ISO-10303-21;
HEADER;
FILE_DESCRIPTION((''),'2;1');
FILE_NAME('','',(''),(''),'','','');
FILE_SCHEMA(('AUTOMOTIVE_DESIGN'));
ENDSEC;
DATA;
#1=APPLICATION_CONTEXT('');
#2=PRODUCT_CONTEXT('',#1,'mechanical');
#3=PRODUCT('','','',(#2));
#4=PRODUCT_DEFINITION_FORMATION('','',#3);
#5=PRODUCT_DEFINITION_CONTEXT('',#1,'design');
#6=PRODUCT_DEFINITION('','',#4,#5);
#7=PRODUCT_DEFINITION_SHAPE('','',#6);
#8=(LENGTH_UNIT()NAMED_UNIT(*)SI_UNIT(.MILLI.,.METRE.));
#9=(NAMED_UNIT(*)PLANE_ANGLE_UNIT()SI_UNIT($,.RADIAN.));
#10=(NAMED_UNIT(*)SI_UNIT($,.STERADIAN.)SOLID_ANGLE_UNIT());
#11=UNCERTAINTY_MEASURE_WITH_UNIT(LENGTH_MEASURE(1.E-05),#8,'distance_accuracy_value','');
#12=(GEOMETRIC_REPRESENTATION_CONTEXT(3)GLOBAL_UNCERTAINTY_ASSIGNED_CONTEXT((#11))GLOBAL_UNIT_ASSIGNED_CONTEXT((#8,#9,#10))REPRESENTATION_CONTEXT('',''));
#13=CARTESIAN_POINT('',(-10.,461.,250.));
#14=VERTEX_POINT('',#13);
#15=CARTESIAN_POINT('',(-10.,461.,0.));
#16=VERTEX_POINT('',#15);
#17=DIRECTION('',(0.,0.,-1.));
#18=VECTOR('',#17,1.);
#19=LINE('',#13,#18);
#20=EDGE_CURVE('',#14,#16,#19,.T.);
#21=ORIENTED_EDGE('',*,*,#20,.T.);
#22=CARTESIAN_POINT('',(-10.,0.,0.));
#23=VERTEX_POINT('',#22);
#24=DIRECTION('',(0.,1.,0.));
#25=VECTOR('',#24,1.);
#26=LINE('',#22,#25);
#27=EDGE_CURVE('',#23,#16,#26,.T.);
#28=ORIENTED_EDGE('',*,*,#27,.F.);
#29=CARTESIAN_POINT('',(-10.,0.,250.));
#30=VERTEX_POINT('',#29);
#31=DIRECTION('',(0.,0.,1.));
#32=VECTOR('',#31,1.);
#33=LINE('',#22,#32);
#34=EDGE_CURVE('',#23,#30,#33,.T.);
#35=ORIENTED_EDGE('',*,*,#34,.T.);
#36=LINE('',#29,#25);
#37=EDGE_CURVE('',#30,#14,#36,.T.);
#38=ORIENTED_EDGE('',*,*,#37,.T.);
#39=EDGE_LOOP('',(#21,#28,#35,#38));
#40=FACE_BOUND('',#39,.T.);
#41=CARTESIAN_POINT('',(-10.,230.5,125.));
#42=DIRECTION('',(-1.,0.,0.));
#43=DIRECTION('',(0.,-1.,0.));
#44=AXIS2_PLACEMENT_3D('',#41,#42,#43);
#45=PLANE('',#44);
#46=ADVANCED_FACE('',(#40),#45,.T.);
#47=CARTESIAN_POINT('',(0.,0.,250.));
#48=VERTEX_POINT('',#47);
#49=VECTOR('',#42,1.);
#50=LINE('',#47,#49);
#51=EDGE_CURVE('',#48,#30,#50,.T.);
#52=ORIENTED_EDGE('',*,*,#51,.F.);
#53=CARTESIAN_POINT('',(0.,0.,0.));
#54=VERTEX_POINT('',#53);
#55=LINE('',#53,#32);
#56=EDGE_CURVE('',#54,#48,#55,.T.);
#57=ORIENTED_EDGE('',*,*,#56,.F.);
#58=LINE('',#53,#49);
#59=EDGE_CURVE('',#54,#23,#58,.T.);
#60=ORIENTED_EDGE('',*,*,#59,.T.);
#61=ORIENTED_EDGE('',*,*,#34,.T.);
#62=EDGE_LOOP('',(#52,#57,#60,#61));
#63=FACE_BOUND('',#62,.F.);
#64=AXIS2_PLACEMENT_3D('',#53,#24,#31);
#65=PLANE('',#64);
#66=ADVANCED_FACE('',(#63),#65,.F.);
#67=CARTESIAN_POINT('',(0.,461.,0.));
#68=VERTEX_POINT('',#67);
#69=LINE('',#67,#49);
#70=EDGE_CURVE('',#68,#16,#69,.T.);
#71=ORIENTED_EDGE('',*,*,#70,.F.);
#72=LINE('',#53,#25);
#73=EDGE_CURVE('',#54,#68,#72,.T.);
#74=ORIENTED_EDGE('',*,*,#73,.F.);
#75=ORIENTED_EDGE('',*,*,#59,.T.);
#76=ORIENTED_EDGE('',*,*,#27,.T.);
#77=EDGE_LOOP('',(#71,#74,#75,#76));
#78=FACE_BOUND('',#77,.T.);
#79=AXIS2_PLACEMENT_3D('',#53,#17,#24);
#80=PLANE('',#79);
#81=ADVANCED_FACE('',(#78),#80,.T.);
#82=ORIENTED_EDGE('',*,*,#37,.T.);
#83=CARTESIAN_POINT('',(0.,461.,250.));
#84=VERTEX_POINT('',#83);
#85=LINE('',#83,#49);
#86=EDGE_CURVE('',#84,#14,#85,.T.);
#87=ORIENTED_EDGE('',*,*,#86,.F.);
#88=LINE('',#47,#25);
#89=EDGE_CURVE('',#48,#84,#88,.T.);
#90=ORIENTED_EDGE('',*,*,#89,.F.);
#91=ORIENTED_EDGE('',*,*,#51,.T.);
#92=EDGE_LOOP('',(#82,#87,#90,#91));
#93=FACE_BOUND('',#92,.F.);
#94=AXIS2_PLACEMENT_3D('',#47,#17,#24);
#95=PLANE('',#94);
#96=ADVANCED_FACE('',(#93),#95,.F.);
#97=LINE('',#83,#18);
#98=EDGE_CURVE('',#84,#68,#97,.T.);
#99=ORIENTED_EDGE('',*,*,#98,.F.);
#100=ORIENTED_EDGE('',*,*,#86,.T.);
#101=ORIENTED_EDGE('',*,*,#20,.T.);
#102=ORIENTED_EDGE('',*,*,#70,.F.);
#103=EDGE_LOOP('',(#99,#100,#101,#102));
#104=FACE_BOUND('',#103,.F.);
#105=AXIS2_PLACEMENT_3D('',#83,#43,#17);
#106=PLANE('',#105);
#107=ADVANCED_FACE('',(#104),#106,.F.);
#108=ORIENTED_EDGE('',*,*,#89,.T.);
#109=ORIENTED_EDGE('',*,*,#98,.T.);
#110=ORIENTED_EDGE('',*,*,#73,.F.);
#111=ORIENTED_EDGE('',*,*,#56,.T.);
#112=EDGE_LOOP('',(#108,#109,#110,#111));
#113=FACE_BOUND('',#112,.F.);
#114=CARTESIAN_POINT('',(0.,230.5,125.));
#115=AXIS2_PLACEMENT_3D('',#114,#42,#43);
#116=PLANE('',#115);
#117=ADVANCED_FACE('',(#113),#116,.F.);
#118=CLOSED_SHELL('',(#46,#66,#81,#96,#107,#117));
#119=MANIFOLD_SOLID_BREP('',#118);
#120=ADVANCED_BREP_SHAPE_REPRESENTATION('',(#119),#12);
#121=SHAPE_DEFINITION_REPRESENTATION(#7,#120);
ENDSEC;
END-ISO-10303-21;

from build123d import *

# Parameters (mm, degrees)
PAD_DEPTH = 10


with BuildPart() as part:
    # Sketch → Pad (new body)
    with BuildSketch(Plane.YZ):
        Polygon((0, 0), (0, 250), (461, 250), (461, 0), (230.5, 0), align=None)
    extrude(amount=-PAD_DEPTH)


solid = part.part
